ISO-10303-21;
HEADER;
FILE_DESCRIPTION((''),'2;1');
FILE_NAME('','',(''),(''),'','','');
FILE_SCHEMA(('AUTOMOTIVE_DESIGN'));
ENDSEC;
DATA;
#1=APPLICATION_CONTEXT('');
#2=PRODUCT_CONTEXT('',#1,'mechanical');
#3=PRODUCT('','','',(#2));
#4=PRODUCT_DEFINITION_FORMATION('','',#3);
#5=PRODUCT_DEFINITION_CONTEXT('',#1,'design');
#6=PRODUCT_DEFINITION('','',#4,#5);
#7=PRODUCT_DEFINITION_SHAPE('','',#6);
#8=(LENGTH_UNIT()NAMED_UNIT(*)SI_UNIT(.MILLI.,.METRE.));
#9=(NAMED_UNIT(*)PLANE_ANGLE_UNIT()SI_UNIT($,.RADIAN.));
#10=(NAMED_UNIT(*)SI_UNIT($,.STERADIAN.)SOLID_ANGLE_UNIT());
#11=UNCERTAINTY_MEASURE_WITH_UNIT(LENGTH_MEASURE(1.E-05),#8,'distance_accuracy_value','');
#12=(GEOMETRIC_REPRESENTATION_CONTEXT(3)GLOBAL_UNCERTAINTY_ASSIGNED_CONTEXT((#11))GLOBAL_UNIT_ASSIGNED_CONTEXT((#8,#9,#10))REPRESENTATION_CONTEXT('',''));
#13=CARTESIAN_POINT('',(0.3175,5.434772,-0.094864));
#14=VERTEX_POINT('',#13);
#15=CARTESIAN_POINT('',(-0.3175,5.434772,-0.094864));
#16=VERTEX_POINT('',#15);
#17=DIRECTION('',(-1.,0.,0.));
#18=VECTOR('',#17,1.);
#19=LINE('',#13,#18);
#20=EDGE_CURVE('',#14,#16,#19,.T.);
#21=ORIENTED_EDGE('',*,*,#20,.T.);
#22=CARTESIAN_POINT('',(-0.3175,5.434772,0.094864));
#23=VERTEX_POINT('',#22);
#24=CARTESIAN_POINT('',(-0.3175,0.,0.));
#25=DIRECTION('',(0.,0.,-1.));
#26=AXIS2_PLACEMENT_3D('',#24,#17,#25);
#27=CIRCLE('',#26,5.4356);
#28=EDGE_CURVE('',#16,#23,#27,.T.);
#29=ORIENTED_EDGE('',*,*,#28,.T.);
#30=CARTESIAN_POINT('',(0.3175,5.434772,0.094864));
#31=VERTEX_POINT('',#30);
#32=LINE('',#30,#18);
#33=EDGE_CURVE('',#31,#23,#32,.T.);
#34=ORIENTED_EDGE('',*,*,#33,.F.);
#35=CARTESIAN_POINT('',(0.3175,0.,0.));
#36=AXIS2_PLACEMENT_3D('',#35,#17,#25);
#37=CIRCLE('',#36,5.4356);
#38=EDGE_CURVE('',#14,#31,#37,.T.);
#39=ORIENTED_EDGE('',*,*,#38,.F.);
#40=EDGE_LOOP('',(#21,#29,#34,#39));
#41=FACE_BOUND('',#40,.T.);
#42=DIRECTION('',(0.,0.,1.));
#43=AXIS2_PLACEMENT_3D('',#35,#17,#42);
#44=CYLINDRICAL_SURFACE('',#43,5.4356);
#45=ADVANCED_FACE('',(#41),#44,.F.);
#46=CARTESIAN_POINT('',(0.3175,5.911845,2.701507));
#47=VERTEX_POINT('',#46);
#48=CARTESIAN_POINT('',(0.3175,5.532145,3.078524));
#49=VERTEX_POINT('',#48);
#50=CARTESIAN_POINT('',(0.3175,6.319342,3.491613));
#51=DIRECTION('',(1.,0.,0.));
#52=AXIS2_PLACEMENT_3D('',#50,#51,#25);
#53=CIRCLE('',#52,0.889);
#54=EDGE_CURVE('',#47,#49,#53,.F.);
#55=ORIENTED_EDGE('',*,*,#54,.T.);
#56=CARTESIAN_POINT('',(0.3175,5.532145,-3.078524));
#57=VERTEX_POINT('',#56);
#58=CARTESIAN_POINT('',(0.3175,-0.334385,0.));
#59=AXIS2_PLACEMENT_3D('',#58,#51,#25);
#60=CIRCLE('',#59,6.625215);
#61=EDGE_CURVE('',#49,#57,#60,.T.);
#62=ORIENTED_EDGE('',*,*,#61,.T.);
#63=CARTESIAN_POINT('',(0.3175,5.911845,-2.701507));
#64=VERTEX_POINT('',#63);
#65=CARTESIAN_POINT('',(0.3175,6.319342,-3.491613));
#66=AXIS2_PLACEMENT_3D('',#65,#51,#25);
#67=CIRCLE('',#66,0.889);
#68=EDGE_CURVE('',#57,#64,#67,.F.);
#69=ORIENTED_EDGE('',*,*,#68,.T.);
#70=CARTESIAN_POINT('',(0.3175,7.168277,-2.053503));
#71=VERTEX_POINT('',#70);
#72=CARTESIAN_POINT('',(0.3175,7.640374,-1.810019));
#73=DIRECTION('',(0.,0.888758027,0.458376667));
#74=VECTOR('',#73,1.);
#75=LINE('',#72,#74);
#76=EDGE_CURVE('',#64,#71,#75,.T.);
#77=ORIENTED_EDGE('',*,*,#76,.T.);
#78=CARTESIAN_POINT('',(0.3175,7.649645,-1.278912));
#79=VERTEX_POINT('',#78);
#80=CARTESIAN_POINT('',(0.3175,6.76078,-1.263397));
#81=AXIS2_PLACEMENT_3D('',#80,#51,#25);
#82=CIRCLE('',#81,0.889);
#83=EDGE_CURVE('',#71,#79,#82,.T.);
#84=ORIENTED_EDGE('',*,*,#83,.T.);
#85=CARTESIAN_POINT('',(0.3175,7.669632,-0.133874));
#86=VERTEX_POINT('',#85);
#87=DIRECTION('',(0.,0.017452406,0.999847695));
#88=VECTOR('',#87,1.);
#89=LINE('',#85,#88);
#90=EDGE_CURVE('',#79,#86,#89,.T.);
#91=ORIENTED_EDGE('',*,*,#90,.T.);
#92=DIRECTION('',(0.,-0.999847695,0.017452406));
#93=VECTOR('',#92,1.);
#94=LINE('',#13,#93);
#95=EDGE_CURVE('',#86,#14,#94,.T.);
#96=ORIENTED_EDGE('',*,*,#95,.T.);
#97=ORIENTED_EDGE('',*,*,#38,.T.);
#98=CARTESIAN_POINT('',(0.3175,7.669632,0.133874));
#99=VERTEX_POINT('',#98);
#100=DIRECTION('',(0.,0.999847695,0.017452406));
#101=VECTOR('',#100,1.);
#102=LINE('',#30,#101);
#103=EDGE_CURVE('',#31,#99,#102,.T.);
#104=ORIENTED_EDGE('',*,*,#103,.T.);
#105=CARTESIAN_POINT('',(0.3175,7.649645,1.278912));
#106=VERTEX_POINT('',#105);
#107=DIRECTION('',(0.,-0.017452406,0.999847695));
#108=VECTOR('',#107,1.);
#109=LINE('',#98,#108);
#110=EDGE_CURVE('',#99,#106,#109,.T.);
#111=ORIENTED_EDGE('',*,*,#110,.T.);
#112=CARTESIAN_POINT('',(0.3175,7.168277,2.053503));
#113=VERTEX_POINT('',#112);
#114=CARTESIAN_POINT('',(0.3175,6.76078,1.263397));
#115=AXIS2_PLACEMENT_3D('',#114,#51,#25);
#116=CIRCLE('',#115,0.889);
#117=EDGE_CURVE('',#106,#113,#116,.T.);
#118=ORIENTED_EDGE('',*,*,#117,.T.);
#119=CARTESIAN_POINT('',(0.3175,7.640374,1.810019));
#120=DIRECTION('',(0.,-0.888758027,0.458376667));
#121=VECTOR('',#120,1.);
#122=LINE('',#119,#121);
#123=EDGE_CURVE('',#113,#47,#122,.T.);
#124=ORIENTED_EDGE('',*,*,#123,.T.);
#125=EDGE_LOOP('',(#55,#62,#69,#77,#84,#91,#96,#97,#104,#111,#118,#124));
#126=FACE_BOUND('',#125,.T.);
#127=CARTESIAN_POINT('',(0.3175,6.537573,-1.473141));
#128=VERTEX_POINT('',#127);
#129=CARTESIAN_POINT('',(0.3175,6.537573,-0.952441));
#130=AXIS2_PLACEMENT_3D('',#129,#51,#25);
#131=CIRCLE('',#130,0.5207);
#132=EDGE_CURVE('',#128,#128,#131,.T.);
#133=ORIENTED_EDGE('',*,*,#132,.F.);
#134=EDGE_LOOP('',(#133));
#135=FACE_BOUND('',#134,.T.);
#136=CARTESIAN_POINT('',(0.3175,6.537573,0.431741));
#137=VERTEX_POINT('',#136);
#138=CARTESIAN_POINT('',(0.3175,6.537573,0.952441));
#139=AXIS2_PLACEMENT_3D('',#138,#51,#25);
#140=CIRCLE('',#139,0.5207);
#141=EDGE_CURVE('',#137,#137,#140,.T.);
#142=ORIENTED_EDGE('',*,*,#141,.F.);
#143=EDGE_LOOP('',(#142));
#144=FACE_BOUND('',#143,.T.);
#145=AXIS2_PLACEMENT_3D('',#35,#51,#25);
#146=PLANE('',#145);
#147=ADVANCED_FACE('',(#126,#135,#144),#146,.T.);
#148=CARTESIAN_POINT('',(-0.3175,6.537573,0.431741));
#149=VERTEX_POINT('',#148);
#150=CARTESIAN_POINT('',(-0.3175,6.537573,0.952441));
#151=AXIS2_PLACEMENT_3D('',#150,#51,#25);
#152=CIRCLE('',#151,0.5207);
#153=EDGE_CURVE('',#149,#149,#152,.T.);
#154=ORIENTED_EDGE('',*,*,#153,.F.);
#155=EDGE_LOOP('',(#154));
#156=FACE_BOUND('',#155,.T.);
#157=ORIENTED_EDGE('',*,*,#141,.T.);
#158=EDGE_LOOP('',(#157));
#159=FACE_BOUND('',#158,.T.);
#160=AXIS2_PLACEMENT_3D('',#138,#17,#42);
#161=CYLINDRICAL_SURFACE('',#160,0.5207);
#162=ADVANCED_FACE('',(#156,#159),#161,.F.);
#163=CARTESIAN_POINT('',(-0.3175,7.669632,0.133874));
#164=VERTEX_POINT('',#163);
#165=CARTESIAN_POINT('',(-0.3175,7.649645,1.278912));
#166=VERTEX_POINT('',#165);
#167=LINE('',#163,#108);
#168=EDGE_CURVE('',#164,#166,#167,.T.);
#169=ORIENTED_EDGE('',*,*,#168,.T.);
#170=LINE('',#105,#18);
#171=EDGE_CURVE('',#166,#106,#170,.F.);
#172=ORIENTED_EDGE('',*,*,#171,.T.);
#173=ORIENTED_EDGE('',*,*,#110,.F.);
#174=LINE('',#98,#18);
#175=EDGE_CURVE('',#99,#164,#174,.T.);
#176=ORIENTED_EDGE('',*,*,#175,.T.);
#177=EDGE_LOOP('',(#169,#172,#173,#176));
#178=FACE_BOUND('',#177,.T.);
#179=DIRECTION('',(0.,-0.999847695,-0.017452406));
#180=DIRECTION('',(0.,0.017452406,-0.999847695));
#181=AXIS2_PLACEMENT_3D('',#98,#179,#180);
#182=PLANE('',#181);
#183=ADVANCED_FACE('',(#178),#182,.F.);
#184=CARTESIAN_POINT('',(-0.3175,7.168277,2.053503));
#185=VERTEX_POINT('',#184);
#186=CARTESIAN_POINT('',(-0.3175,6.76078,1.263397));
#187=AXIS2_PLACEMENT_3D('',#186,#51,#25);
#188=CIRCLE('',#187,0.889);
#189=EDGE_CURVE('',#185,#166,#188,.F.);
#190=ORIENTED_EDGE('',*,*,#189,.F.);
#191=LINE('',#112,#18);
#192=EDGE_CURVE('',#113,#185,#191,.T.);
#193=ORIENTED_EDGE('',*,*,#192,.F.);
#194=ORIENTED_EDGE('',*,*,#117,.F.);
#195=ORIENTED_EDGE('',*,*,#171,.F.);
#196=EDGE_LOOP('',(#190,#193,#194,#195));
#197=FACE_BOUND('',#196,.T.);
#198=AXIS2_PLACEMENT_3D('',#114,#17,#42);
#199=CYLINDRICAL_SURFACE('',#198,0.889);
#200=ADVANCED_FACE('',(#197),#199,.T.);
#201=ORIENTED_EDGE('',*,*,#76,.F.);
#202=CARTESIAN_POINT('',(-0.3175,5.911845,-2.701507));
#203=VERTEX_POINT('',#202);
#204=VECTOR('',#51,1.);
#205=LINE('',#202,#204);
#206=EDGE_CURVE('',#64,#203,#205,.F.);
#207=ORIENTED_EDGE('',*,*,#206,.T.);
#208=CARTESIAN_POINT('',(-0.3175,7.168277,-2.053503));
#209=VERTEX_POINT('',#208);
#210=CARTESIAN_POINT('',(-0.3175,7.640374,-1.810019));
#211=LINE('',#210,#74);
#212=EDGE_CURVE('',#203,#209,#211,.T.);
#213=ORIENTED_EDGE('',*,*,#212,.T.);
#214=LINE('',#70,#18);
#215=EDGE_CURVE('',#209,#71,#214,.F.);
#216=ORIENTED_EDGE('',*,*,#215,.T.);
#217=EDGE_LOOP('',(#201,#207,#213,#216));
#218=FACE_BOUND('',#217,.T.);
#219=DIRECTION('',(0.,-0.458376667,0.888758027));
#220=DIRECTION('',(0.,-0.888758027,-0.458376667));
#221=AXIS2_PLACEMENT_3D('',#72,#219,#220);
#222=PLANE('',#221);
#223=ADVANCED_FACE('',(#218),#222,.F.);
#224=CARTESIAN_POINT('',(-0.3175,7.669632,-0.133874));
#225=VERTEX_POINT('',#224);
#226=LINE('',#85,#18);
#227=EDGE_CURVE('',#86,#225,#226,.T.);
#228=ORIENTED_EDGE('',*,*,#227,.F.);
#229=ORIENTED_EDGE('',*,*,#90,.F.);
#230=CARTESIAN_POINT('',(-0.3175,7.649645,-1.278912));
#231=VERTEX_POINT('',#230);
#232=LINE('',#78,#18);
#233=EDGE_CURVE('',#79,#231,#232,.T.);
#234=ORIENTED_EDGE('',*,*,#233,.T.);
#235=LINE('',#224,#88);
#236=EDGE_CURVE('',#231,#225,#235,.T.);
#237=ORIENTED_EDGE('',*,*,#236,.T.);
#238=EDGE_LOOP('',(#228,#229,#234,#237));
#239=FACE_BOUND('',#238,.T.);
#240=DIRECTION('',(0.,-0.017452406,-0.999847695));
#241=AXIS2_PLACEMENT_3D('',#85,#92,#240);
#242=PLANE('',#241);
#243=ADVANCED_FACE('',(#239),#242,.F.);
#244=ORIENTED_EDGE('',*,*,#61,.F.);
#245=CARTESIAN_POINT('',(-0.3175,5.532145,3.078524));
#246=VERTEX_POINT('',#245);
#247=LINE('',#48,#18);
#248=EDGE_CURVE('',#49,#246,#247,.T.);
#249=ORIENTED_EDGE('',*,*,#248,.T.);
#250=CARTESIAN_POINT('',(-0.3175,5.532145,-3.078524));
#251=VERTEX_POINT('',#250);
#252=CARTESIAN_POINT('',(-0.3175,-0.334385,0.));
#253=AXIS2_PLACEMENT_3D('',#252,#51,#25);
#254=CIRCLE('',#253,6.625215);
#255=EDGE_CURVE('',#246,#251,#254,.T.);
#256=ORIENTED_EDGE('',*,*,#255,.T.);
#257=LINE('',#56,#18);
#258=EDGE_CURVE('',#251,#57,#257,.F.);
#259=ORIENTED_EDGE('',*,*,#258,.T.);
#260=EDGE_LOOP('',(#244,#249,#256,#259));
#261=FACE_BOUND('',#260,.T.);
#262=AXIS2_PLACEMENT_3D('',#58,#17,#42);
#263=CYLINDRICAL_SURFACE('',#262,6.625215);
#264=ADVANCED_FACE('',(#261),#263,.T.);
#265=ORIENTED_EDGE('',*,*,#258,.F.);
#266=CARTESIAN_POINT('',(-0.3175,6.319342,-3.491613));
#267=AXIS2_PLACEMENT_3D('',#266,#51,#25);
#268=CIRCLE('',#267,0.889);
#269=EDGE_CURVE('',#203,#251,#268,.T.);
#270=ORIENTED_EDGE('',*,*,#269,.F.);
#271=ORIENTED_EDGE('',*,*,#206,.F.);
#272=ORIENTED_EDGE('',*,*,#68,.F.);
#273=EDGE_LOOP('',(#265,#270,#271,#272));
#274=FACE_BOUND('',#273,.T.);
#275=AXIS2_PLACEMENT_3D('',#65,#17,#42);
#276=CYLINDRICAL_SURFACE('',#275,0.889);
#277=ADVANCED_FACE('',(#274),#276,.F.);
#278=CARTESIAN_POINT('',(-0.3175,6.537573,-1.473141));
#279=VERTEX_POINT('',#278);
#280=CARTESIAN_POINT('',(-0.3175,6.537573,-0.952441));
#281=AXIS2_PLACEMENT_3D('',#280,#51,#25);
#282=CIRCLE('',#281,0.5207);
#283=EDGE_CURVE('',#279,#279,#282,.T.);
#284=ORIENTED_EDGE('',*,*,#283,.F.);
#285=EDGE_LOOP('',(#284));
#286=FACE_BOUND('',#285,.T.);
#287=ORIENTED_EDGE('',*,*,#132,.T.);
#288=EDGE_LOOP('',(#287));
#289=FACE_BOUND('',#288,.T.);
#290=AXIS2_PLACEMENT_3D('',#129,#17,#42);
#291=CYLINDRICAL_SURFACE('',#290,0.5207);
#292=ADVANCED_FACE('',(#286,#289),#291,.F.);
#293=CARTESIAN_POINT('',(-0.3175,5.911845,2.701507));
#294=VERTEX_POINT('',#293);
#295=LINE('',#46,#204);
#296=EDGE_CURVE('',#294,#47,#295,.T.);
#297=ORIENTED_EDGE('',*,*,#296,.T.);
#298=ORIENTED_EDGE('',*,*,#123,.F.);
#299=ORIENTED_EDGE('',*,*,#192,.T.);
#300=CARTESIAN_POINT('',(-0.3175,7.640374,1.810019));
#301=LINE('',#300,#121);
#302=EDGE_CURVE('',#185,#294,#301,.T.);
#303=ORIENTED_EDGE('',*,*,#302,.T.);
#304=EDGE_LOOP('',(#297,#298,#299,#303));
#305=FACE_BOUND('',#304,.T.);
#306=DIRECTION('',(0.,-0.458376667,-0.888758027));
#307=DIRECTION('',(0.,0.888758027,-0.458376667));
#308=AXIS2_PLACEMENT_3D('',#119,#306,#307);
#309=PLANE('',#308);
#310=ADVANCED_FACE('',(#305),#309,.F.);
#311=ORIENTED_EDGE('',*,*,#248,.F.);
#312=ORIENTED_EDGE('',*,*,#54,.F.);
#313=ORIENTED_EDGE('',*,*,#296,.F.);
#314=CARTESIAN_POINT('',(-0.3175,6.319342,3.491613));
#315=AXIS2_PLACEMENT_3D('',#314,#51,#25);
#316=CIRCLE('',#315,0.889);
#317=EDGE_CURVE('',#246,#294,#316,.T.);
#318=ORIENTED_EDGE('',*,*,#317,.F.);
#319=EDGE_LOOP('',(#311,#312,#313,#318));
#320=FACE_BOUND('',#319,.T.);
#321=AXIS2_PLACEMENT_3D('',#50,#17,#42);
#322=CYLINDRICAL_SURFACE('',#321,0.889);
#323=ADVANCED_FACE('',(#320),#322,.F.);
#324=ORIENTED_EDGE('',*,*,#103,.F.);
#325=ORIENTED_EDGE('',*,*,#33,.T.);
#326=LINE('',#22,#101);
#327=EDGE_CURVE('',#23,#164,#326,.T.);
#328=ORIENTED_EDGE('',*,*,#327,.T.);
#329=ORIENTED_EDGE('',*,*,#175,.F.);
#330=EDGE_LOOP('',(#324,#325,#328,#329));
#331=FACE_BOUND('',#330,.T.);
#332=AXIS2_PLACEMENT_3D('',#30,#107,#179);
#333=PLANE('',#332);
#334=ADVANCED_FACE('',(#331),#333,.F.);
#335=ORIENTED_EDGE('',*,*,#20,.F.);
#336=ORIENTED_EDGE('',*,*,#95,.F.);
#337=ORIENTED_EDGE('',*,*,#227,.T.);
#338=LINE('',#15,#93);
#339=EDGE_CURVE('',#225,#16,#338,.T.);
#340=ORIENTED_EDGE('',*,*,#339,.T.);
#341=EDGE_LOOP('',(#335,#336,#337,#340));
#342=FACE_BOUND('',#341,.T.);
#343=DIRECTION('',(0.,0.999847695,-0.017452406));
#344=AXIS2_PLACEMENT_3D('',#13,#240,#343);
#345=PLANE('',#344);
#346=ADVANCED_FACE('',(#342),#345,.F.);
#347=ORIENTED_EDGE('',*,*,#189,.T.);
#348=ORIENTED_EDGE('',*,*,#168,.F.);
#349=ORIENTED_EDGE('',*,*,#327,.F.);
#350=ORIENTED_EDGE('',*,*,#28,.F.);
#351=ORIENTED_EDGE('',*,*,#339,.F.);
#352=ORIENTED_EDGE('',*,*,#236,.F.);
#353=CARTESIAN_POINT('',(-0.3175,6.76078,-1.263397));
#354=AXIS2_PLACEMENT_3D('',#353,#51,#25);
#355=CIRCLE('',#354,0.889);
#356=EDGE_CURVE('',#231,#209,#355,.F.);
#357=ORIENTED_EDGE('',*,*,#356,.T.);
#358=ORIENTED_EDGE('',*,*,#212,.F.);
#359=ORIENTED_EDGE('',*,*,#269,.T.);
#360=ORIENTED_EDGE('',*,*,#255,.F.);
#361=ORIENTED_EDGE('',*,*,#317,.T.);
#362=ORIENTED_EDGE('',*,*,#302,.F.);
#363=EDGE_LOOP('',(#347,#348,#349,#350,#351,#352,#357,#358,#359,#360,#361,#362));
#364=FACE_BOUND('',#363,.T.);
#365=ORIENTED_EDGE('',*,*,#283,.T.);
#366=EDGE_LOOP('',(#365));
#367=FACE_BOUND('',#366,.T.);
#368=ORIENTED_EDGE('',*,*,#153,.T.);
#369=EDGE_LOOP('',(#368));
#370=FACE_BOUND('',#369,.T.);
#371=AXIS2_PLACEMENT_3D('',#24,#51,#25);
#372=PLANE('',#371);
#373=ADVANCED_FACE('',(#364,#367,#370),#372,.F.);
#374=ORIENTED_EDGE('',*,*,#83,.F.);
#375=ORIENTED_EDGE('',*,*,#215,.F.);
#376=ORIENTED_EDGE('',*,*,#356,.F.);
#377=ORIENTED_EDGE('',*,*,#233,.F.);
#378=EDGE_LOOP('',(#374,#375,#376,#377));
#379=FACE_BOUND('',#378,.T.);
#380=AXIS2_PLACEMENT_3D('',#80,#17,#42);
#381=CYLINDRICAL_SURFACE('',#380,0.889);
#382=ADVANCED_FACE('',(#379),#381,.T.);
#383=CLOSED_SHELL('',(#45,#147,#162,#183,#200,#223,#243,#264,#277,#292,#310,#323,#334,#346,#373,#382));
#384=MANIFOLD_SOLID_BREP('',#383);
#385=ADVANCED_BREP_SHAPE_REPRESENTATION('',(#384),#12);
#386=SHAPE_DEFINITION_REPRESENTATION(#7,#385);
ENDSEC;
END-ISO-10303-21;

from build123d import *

# Parameters (mm, degrees)
SKETCH1_R      = 0.5207
EXTRUDE1_DEPTH = 0.3175
FILLET1_R      = 0.889


with BuildPart() as part:
    # Sketch1 → Extrude1 (new body, symmetric)
    with BuildSketch(Plane(origin=(0, 0, 0), x_dir=(0, 0, -1), z_dir=(1, 0, 0))):
        with BuildLine():
            Line((-0.0948643, 5.434772132), (-0.133873919, 7.6696317))
            Line((-0.133873919, 7.6696317), (-1.810018595, 7.640374486))
            Line((-1.810018595, 7.640374486), (-2.834582122, 5.653822543))
            ThreePointArc((-2.834582122, 5.653822543), (0, -6.9596), (2.834582122, 5.653822543))
            Line((2.834582122, 5.653822543), (1.810018595, 7.640374486))
            Line((1.810018595, 7.640374486), (0.133873919, 7.6696317))
            Line((0.133873919, 7.6696317), (0.0948643, 5.434772132))
            ThreePointArc((0.0948643, 5.434772132), (0, -5.4356), (-0.0948643, 5.434772132))
        make_face()
        with Locations((-0.952441448, 6.537573309)):
            Circle(SKETCH1_R, mode=Mode.SUBTRACT)
        with Locations((0.952441448, 6.537573309)):
            Circle(SKETCH1_R, mode=Mode.SUBTRACT)
    extrude(amount=EXTRUDE1_DEPTH, both=True)

    # Fillet1
    fillet1_edges = [part.edges().sort_by_distance(p)[0] for p in [
        (0, 7.640374486, -1.810018595),
        (0, 5.653822543, -2.834582122),
        (0, 5.653822543, 2.834582122),
        (0, 7.640374486, 1.810018595),
    ]]
    fillet(fillet1_edges, radius=FILLET1_R)


solid = part.part
